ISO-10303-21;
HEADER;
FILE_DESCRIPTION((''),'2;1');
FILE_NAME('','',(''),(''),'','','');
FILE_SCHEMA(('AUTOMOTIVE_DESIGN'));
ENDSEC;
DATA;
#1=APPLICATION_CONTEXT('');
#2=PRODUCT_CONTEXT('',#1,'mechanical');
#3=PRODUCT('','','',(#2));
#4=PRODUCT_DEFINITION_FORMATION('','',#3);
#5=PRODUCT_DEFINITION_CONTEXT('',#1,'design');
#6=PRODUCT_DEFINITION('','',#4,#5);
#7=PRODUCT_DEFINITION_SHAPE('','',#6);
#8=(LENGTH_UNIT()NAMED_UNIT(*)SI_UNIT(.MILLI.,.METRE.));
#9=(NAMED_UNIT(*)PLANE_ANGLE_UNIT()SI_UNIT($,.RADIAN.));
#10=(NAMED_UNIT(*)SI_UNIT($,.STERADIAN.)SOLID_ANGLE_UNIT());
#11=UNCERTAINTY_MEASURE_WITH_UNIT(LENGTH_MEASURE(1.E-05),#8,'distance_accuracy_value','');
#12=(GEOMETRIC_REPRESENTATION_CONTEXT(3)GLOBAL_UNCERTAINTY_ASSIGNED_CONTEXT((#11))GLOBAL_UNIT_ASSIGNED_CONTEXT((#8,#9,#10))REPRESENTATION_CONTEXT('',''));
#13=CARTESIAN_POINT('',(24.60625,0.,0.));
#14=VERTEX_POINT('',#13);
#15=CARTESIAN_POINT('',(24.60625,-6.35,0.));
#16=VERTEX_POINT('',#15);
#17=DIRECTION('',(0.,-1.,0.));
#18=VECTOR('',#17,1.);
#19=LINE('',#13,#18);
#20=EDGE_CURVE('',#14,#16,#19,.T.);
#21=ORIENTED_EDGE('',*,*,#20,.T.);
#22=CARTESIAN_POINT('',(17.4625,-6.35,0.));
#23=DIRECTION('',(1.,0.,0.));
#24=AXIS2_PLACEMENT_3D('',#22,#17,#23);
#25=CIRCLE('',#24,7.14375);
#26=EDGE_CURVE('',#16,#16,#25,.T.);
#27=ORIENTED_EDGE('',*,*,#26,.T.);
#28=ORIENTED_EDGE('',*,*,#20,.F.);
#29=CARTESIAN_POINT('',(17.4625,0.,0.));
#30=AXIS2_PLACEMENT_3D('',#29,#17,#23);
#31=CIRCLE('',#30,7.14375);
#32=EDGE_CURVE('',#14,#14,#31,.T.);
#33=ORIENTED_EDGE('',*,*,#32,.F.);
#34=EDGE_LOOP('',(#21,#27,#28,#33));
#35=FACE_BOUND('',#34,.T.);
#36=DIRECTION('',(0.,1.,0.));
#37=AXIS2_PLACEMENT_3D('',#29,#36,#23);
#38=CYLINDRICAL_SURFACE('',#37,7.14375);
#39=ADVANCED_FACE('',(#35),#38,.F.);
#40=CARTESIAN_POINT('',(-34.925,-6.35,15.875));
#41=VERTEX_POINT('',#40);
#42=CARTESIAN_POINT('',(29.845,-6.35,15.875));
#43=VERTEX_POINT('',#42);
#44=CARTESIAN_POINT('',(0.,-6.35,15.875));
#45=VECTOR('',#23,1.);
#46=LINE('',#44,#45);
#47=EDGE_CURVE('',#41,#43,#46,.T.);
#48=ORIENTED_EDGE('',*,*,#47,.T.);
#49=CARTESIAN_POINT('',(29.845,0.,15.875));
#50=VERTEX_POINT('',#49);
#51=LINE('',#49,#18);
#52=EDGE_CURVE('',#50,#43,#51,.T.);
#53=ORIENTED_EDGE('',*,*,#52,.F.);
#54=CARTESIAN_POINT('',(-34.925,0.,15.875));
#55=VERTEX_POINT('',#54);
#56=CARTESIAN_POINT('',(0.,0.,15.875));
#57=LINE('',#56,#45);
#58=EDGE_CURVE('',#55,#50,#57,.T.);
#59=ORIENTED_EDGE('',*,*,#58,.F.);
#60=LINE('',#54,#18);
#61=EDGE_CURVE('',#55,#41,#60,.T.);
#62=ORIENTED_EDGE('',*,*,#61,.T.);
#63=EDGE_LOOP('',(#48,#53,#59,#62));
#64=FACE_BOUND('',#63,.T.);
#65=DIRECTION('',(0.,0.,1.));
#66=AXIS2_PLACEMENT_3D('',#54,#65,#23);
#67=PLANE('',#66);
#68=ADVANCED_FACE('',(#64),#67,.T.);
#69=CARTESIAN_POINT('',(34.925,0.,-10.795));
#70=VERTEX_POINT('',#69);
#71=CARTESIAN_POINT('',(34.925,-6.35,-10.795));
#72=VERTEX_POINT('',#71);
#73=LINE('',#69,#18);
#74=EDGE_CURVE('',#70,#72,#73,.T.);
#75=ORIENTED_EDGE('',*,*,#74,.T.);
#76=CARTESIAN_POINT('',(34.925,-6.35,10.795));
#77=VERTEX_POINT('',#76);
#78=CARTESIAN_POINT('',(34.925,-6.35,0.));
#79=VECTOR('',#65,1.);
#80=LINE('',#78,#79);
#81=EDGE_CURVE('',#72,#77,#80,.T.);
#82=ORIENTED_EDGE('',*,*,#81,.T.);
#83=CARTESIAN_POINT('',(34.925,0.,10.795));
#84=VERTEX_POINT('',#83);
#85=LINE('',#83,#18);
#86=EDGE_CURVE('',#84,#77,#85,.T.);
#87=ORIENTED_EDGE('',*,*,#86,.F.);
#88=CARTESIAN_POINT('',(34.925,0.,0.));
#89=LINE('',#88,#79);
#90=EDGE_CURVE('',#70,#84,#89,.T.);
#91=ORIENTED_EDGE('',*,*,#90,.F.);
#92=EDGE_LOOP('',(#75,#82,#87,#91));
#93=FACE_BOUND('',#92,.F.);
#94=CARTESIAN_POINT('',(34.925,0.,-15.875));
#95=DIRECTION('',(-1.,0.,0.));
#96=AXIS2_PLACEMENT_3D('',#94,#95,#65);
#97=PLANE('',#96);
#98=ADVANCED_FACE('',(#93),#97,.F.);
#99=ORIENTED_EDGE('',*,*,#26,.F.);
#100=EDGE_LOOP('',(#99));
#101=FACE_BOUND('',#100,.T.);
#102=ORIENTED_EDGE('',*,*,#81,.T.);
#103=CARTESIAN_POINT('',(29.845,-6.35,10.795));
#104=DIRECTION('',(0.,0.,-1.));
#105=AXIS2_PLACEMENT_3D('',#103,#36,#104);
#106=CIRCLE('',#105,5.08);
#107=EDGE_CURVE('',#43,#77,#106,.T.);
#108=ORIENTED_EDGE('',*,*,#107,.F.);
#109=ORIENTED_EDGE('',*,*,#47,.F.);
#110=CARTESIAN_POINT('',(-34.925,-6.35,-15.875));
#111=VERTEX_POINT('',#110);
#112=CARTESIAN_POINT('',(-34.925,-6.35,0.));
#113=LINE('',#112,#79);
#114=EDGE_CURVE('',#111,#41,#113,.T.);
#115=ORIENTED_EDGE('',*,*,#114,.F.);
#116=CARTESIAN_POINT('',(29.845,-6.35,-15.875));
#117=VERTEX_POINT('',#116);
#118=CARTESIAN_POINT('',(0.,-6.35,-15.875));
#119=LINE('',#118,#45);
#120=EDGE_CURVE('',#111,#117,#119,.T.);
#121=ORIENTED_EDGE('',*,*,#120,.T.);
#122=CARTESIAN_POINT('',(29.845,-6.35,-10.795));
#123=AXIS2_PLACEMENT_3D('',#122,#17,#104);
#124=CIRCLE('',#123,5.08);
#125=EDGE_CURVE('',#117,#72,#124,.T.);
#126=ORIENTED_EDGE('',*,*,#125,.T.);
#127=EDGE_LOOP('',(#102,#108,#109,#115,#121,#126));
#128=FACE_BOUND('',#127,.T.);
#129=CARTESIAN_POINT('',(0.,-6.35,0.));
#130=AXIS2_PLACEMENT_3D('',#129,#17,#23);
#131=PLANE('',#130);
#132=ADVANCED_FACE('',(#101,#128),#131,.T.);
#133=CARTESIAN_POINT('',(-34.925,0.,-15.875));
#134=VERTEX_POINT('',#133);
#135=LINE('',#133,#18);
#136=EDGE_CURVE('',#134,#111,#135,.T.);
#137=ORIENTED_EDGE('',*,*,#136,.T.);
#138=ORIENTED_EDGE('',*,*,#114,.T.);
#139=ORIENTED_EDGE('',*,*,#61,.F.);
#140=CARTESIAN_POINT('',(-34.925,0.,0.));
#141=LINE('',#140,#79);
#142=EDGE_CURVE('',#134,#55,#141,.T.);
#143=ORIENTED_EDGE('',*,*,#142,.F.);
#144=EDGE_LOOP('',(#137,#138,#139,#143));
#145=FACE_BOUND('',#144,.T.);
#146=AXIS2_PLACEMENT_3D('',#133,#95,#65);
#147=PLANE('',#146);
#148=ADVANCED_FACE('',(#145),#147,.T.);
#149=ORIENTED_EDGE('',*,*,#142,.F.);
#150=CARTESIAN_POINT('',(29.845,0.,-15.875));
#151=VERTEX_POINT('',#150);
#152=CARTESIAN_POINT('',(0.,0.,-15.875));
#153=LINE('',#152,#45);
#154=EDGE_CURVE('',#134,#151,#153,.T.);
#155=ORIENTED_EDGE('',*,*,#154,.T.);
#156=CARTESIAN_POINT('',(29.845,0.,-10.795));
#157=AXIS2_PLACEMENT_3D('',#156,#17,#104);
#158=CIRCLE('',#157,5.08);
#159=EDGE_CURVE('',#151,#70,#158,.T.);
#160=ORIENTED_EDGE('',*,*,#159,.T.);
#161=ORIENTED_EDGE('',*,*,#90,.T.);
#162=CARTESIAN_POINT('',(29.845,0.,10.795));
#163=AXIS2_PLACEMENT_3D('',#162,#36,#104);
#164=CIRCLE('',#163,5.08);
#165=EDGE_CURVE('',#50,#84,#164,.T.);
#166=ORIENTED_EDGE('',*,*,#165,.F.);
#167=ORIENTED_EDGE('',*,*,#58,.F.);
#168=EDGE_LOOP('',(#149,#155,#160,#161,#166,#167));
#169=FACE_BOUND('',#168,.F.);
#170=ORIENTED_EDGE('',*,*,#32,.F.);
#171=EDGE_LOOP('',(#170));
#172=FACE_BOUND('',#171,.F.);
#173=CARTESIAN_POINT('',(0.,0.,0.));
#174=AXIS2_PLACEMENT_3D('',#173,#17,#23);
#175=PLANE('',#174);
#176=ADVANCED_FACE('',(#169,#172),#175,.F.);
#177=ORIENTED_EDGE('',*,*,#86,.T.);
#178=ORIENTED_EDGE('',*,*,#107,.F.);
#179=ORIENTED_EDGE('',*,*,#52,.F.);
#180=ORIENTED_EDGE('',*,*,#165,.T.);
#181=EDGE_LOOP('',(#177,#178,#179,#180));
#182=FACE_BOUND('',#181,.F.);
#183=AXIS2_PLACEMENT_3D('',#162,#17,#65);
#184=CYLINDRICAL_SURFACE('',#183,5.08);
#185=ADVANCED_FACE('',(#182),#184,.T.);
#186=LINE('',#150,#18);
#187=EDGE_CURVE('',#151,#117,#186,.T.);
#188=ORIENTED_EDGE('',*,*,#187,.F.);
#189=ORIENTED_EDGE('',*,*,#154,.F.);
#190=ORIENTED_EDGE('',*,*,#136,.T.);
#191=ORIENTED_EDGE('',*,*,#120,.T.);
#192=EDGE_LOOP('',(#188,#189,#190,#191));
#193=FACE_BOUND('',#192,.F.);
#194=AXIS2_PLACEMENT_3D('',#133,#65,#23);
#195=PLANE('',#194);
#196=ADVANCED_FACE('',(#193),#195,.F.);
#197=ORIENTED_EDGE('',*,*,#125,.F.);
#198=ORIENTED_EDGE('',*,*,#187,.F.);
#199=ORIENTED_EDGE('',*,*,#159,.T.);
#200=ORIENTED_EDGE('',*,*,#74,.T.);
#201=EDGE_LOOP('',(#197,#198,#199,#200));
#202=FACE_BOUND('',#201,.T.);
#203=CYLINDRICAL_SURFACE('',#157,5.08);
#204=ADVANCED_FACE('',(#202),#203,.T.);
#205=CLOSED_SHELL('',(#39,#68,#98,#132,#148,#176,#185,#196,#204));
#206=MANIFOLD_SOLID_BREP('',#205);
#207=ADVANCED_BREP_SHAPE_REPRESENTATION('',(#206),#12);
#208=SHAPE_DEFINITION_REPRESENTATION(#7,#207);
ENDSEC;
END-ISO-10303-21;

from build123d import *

# Parameters (mm, degrees)
F0_W     = 69.85
F0_H     = 31.75
F0_R     = 7.14375
F1_DEPTH = 6.35
F2_R     = 5.08


with BuildPart() as f1:
    # F0 (on Front) → F1 (new body)
    with BuildSketch(Plane.XZ):
        Rectangle(F0_W, F0_H)
        with Locations((17.4625, 0)):
            Circle(F0_R, mode=Mode.SUBTRACT)
    extrude(amount=F1_DEPTH)

    # F2
    f2_edges = [f1.edges().sort_by_distance(p)[0] for p in [
        (34.925, -3.175, 15.875),
        (34.925, -3.175, -15.875),
    ]]
    fillet(f2_edges, radius=F2_R)


solid = f1.part
